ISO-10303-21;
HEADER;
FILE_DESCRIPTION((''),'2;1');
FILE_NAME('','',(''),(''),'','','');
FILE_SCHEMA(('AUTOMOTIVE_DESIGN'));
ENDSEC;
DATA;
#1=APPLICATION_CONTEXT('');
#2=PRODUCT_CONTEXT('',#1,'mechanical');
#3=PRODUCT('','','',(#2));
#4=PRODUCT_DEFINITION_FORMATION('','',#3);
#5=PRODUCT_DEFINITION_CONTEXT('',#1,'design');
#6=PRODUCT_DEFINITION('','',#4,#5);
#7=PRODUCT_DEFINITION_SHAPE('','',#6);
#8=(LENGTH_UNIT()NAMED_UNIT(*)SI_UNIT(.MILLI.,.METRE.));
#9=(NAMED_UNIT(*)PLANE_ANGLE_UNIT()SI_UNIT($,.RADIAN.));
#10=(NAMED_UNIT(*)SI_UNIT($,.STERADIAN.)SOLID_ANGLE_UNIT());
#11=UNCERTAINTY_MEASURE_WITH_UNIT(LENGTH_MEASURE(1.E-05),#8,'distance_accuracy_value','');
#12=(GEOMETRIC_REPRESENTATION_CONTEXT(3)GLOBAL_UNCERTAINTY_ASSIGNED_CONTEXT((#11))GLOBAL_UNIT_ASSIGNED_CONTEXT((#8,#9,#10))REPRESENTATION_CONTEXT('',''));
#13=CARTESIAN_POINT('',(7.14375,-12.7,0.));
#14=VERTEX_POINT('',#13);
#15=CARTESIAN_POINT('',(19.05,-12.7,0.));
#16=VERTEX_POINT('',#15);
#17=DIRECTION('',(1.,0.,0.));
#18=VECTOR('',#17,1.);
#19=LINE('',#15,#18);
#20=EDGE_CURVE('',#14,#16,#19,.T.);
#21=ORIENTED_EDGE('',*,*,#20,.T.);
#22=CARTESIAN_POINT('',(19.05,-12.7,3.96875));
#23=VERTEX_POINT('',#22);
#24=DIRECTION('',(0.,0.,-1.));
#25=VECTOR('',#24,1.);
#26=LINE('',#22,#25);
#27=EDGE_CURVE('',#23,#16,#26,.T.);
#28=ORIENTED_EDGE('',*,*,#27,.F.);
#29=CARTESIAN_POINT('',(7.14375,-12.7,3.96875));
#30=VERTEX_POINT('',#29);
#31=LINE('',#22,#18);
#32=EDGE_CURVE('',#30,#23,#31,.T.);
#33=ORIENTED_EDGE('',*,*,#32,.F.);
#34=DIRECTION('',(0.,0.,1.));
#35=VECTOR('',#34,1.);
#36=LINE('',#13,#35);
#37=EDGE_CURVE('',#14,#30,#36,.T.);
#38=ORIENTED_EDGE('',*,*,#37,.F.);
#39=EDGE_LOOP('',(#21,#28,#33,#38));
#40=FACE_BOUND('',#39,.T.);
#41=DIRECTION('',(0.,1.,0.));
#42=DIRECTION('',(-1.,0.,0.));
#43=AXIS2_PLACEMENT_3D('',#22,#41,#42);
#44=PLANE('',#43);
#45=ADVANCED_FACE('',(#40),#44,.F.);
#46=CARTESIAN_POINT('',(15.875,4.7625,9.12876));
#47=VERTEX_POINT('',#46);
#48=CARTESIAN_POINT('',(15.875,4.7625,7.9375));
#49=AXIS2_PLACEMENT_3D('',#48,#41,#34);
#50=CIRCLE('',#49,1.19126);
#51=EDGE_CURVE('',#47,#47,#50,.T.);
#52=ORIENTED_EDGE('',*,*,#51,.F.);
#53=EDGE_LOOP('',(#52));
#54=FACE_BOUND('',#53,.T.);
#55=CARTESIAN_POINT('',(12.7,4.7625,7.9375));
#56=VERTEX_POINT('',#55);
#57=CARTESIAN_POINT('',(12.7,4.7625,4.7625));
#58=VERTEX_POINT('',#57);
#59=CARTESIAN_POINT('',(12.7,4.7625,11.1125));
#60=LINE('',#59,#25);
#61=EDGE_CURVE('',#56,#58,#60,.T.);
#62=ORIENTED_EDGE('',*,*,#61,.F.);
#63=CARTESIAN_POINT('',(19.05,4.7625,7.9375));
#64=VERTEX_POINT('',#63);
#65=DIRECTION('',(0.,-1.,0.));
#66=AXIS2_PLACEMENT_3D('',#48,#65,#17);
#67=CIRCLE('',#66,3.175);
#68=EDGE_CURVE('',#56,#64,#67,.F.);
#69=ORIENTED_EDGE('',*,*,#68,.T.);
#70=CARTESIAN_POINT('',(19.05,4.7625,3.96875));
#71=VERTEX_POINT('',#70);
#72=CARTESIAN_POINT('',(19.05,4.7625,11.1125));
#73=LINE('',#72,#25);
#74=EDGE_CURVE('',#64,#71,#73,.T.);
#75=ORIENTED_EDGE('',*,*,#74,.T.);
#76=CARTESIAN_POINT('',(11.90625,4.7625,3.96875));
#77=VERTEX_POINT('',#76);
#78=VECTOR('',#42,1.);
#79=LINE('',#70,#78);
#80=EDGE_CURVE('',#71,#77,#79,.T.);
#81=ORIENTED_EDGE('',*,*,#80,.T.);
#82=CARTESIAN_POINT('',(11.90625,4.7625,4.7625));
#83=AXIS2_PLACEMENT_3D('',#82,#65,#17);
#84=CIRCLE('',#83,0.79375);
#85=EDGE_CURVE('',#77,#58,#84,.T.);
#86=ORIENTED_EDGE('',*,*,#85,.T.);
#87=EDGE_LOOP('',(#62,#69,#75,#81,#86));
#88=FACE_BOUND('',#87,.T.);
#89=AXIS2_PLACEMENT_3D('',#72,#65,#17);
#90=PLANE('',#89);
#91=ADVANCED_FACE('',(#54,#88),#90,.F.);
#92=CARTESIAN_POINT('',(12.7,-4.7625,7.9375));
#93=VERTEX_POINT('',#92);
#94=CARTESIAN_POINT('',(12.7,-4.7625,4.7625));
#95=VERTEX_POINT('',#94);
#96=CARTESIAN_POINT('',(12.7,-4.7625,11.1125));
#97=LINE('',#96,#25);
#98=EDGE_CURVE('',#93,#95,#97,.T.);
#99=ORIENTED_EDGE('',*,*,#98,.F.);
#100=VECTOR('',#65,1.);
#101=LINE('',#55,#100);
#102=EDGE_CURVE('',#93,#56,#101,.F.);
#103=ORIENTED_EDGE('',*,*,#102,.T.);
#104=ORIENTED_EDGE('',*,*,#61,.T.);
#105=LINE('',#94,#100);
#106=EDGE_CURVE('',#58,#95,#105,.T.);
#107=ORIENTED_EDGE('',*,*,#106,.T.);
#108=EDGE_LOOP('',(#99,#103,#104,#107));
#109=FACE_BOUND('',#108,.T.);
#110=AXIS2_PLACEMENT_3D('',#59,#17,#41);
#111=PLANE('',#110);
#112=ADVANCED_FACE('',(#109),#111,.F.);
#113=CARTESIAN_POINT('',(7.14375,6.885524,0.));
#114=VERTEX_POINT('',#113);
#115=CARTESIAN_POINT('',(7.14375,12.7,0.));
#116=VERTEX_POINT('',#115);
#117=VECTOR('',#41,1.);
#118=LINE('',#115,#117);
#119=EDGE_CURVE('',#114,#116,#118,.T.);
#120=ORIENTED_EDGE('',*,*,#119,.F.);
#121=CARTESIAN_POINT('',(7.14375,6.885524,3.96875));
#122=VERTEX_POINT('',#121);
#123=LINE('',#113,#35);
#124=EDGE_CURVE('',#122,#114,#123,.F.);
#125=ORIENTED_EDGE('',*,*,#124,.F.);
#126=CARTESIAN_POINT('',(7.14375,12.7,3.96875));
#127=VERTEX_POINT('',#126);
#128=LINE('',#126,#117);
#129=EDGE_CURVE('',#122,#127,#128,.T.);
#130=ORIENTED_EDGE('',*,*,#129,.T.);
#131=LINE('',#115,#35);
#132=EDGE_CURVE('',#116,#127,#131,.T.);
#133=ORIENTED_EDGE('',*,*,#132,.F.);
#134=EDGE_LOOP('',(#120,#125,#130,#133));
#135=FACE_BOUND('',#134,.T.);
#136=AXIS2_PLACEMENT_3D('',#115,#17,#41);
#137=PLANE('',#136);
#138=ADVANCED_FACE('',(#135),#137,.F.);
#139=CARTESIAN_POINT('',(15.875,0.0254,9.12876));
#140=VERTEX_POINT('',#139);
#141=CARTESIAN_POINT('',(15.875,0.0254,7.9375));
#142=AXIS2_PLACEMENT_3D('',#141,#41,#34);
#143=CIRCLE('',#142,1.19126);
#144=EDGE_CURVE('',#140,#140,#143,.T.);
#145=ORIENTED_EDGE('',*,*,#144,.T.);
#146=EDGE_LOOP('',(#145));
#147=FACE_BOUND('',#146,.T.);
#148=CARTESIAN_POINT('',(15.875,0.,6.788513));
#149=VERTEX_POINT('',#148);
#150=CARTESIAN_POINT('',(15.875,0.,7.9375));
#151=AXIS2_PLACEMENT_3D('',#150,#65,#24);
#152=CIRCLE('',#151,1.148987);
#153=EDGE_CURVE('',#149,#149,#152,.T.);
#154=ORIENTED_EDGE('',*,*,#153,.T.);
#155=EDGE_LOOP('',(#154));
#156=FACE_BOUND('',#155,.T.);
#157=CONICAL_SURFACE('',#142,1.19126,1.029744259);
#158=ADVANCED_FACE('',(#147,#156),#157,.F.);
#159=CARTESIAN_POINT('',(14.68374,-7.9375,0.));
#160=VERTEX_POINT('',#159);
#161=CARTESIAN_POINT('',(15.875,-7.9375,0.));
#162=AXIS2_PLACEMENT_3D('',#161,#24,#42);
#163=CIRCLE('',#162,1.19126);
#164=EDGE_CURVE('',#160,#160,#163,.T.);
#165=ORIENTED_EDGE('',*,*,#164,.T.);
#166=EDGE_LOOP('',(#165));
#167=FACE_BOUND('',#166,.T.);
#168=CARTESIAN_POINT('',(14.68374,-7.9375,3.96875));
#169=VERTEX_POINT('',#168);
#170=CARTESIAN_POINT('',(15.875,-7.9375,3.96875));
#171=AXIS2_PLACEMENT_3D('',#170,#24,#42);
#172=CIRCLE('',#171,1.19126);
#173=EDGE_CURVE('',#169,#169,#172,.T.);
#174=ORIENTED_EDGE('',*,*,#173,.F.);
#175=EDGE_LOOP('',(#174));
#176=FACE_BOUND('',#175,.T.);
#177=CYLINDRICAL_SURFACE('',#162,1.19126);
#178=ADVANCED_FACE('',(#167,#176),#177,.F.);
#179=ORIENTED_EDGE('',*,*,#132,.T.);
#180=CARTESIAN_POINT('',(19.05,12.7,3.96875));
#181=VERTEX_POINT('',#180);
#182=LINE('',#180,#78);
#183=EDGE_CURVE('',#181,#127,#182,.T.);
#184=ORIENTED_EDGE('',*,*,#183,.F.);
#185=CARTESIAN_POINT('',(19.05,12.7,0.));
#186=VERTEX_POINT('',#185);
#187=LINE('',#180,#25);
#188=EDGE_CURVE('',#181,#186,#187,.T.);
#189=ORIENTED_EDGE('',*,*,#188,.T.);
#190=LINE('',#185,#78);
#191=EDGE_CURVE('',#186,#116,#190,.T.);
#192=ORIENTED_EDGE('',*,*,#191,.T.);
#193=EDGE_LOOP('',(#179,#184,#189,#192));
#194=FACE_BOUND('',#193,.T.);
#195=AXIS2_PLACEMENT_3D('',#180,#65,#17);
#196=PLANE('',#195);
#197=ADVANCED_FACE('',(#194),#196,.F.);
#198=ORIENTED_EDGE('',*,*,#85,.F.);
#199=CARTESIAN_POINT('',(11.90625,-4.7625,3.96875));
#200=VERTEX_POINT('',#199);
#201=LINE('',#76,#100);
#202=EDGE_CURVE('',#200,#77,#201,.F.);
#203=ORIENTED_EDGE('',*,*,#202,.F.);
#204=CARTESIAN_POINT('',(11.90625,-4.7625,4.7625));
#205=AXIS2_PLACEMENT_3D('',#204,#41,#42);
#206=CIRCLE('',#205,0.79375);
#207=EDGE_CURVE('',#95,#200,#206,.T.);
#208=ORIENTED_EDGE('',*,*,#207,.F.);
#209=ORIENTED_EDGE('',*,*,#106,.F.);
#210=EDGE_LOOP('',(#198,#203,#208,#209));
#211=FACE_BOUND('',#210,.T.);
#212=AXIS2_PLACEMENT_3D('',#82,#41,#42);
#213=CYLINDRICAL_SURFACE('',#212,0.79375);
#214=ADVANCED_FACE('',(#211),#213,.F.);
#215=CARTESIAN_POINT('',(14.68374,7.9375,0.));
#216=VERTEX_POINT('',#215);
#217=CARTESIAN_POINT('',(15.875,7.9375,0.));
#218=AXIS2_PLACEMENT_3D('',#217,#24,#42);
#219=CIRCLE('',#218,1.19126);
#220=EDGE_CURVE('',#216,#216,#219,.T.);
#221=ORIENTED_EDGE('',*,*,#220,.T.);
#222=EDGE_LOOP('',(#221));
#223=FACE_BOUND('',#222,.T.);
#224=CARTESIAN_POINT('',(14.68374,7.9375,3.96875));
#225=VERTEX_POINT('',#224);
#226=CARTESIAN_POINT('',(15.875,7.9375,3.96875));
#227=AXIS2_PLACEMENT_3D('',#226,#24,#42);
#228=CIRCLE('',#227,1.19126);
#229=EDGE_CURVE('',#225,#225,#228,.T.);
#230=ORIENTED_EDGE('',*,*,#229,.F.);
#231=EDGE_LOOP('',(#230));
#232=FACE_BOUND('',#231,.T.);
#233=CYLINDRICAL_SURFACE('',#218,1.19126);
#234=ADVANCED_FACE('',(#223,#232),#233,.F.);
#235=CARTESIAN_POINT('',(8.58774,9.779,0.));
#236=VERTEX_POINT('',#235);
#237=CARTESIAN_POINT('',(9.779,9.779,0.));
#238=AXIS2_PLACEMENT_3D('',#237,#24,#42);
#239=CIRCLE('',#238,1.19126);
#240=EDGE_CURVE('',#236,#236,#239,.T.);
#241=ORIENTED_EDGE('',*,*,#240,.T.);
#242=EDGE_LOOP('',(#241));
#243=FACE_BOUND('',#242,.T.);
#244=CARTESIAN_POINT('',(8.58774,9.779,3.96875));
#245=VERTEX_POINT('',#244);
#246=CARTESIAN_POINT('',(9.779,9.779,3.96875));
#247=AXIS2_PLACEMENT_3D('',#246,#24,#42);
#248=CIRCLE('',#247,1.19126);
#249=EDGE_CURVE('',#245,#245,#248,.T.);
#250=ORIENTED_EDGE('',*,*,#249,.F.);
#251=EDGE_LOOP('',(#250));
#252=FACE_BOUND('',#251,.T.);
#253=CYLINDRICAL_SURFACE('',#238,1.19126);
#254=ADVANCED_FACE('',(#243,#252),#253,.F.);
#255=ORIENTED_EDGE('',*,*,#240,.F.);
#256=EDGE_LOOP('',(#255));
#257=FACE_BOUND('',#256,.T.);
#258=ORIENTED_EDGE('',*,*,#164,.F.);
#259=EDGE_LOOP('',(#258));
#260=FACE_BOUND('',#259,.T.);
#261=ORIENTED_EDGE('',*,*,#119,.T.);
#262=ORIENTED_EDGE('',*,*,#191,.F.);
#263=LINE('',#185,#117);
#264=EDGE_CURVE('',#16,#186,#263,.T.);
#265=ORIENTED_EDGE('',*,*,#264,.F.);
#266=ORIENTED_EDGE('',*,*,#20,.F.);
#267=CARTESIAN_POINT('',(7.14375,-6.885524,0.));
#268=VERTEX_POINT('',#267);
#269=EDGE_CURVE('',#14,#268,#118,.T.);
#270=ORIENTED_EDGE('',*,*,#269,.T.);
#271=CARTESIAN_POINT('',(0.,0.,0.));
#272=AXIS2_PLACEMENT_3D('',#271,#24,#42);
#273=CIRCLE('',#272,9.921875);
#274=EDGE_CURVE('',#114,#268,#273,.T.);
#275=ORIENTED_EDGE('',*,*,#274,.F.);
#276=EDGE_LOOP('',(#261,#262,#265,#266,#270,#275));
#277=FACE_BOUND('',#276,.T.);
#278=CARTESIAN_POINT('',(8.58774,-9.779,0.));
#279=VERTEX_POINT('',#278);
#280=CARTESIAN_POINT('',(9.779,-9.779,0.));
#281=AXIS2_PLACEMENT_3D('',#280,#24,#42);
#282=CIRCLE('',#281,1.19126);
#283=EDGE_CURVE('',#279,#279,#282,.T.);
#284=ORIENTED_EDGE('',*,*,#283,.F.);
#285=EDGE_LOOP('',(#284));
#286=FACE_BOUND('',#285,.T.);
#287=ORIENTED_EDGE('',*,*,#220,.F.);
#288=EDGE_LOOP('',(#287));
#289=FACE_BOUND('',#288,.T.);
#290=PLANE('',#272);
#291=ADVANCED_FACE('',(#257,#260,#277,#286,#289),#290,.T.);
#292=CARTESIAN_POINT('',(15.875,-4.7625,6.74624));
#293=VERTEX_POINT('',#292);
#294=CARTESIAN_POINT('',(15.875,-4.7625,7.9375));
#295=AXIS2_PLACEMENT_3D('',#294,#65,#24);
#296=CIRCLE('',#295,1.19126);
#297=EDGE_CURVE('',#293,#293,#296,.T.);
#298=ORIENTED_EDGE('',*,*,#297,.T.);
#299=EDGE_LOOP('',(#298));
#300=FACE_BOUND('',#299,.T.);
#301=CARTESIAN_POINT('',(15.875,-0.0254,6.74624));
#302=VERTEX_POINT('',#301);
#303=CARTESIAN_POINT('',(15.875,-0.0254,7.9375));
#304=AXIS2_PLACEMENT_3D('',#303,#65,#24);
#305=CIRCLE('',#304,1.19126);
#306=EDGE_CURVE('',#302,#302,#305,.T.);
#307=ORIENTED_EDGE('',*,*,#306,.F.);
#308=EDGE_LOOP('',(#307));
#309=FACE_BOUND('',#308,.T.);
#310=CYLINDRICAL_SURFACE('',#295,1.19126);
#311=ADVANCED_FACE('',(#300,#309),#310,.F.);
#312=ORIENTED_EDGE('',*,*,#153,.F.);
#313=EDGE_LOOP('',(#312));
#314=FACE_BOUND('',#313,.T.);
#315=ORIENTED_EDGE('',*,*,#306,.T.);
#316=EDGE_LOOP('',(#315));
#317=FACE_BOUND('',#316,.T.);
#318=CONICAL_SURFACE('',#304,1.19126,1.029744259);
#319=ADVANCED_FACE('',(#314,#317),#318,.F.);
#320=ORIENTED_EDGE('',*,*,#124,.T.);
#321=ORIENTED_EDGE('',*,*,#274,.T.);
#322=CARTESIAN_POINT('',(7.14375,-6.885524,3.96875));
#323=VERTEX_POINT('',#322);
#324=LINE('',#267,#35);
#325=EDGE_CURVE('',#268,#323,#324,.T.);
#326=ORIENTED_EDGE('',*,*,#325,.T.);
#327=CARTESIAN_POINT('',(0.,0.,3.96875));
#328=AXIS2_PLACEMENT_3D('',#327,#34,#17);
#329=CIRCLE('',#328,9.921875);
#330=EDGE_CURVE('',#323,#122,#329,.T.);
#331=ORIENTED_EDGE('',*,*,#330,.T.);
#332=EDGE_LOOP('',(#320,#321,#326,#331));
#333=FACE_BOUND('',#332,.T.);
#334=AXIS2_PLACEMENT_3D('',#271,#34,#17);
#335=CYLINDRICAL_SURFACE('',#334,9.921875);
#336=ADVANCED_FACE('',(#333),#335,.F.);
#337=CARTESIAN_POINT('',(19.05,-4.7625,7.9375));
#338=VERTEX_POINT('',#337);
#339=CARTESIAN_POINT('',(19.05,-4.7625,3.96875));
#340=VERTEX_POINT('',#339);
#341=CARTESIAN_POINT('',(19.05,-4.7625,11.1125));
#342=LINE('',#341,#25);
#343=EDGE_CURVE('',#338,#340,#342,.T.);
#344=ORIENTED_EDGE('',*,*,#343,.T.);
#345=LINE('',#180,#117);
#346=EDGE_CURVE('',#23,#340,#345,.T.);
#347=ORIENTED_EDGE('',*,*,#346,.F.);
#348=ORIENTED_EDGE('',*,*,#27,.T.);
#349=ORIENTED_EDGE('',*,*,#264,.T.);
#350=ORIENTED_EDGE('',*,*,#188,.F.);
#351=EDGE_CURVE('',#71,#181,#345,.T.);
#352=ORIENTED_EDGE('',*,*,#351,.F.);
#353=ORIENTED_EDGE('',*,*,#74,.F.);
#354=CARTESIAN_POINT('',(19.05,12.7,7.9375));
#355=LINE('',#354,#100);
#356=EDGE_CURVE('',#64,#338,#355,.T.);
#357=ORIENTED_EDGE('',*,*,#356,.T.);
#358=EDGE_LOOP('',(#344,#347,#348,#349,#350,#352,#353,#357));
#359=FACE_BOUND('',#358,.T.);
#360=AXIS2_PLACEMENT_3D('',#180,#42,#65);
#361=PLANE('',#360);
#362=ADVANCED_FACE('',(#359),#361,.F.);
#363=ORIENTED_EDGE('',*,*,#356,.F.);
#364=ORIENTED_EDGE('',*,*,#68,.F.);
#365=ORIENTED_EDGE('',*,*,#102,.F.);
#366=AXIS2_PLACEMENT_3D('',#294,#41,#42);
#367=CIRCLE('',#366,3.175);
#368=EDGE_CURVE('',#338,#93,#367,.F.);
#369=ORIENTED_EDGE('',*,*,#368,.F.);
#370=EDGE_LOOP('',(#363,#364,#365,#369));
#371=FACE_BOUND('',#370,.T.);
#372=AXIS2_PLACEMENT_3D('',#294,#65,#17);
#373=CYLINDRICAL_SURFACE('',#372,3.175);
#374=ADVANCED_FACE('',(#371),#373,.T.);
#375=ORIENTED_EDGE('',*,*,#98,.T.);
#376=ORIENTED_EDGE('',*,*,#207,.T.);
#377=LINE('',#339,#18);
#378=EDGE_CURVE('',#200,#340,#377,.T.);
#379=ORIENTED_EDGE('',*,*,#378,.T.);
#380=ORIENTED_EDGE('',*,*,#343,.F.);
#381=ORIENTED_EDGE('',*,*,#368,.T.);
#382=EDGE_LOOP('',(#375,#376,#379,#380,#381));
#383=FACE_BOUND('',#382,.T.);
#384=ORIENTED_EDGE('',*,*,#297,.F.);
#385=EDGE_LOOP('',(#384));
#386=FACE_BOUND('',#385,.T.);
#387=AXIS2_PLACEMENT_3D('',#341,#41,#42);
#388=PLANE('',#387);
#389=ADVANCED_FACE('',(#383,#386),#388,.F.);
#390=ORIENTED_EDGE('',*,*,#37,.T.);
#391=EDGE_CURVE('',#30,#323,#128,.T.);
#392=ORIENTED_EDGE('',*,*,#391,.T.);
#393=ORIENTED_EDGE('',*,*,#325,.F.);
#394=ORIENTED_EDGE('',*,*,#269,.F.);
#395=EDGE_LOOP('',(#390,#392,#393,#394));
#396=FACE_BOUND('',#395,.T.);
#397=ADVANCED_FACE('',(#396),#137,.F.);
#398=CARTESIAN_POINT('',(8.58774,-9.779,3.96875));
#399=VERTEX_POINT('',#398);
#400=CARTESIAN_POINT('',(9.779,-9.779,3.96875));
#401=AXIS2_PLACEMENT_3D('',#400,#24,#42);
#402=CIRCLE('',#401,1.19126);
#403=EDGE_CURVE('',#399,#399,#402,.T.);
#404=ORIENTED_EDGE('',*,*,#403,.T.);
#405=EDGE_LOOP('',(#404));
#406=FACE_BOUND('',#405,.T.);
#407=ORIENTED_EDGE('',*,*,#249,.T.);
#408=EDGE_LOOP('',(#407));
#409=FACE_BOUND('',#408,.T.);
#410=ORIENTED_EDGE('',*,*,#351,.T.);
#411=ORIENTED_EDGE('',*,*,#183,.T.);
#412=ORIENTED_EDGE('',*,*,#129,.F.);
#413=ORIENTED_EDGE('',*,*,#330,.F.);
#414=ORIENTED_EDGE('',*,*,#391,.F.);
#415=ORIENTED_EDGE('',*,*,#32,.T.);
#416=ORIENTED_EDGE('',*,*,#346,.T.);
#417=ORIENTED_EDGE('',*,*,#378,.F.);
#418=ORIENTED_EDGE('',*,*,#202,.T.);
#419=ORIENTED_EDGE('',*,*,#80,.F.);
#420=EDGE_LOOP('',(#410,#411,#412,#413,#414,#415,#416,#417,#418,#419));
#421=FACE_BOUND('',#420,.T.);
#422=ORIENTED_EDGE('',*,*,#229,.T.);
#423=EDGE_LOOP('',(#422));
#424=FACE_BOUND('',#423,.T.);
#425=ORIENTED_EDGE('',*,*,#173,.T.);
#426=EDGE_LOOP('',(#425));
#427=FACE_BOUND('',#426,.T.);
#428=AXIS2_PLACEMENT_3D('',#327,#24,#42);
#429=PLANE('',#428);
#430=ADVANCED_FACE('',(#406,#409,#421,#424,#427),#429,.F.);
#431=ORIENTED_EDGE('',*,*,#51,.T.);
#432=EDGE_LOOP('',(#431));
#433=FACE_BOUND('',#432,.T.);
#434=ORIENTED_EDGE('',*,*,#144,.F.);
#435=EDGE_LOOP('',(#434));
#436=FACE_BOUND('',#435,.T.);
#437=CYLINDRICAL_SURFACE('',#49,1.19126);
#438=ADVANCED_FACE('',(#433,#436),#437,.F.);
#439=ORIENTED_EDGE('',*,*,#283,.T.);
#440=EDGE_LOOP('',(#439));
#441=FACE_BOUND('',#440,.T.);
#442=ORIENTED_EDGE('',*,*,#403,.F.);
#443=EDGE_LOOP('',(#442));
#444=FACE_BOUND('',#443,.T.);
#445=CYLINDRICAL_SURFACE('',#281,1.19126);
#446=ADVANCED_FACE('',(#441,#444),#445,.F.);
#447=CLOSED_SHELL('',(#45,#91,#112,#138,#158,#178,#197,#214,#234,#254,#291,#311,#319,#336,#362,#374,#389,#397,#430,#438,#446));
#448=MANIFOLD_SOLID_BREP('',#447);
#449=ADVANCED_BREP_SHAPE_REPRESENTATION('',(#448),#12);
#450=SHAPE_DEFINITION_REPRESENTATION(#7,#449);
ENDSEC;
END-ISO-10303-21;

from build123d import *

# Parameters (mm, degrees)
SKETCH1_W                         = 19.05
SKETCH1_H                         = 25.4
BOSS_EXTRUDE1_DEPTH               = 3.96875
SKETCH2_R                         = 9.921875
CUT_EXTRUDE1_DEPTH                = 24.236683855
SKETCH3_W                         = 7.14375
SKETCH3_H                         = 25.4
CUT_EXTRUDE2_DEPTH                = 24.236683855
SKETCH4_W                         = 6.35
SKETCH4_H                         = 9.525
BOSS_EXTRUDE2_DEPTH               = 7.14375
TAP_DRILL_FOR_2_HELICOIL1_D       = 2.38252
TAP_DRILL_FOR_2_HELICOIL3_D       = 2.38252
TAP_DRILL_FOR_2_HELICOIL3_DEPTH   = 4.7371
TAP_DRILL_FOR_2_HELICOIL3_TIP     = 0.715781221
TAP_DRILL_FOR_2_HELICOIL3_2_D     = 2.38252
TAP_DRILL_FOR_2_HELICOIL3_2_DEPTH = 4.7371
TAP_DRILL_FOR_2_HELICOIL3_2_TIP   = 0.715781221
FILLET1_R                         = 0.79375
FILLET2_RADIUS                    = 3.175
FILLET2_LENGTH                    = 9.525


with BuildPart() as part:
    # Sketch1 → Boss-Extrude1 (new body)
    with BuildSketch(Plane.XY):
        with Locations((9.525, 0)):
            Rectangle(SKETCH1_W, SKETCH1_H)
    extrude(amount=BOSS_EXTRUDE1_DEPTH)

    # Sketch2 → Cut-Extrude1 (cut, through all)
    with BuildSketch(Plane.XY.offset(3.96875)):
        Circle(SKETCH2_R)
    extrude(amount=-CUT_EXTRUDE1_DEPTH, mode=Mode.SUBTRACT)

    # Sketch3 → Cut-Extrude2 (cut, through all)
    with BuildSketch(Plane.XY.offset(3.96875)):
        with Locations((3.571875, 0)):
            Rectangle(SKETCH3_W, SKETCH3_H)
    extrude(amount=-CUT_EXTRUDE2_DEPTH, mode=Mode.SUBTRACT)

    # Sketch4 → Boss-Extrude2 (add)
    with BuildSketch(Plane.XY.offset(3.96875)):
        with Locations((15.875, 0)):
            Rectangle(SKETCH4_W, SKETCH4_H)
    extrude(amount=BOSS_EXTRUDE2_DEPTH)

    # Tap Drill for #2 Helicoil1 (through all)
    with Locations(Plane(origin=(0, 0, 0), x_dir=(-1, 0, 0), z_dir=(0, 0, -1))):
        with Locations((-9.779, 9.779), (-9.779, -9.779), (-15.875, 7.9375), (-15.875, -7.9375)):
            Hole(TAP_DRILL_FOR_2_HELICOIL1_D / 2)

    # Tap Drill for _2 Helicoil3
    with Locations(Plane(origin=(0, 4.7625, 0), x_dir=(1, 0, 0), z_dir=(0, 1, 0))):
        with Locations((15.875, -7.9375)):
            Hole(TAP_DRILL_FOR_2_HELICOIL3_D / 2, depth=TAP_DRILL_FOR_2_HELICOIL3_DEPTH)
            with Locations((0, 0, -(TAP_DRILL_FOR_2_HELICOIL3_DEPTH + TAP_DRILL_FOR_2_HELICOIL3_TIP / 2))):  # 118° drill point
                Cone(0, TAP_DRILL_FOR_2_HELICOIL3_D / 2, TAP_DRILL_FOR_2_HELICOIL3_TIP, mode=Mode.SUBTRACT)

    # Tap Drill for _2 Helicoil3 2
    with Locations(Plane(origin=(0, -4.7625, 0), x_dir=(-1, 0, 0), z_dir=(0, -1, 0))):
        with Locations((-15.875, -7.9375)):
            Hole(TAP_DRILL_FOR_2_HELICOIL3_2_D / 2, depth=TAP_DRILL_FOR_2_HELICOIL3_2_DEPTH)
            with Locations((0, 0, -(TAP_DRILL_FOR_2_HELICOIL3_2_DEPTH + TAP_DRILL_FOR_2_HELICOIL3_2_TIP / 2))):  # 118° drill point
                Cone(0, TAP_DRILL_FOR_2_HELICOIL3_2_D / 2, TAP_DRILL_FOR_2_HELICOIL3_2_TIP, mode=Mode.SUBTRACT)

    # Fillet1
    fillet1_edges = [part.edges().sort_by_distance(p)[0] for p in [
        (12.7, 0, 3.96875),
    ]]
    fillet(fillet1_edges, radius=FILLET1_R)

    # Fillet2: full round fillet: the end face becomes a half cylinder, R = half its width
    fillet2_face = Plane((15.875, 0, 11.1125), x_dir=(0, 1, 0), z_dir=(0, 0, 1))  # on the end face: x along it, z out of the body
    fillet2_slab = fillet2_face.offset(-FILLET2_RADIUS / 2) * Box(FILLET2_LENGTH, 2 * FILLET2_RADIUS, FILLET2_RADIUS, mode=Mode.PRIVATE)  # the body's end, R deep
    fillet2_round = Plane((15.875, 0, 7.9375), x_dir=(0, 0, 1), z_dir=(0, 1, 0)) * Cylinder(FILLET2_RADIUS, FILLET2_LENGTH, mode=Mode.PRIVATE)  # its axis R under the face
    add(fillet2_slab - fillet2_round, mode=Mode.SUBTRACT)


solid = part.part
